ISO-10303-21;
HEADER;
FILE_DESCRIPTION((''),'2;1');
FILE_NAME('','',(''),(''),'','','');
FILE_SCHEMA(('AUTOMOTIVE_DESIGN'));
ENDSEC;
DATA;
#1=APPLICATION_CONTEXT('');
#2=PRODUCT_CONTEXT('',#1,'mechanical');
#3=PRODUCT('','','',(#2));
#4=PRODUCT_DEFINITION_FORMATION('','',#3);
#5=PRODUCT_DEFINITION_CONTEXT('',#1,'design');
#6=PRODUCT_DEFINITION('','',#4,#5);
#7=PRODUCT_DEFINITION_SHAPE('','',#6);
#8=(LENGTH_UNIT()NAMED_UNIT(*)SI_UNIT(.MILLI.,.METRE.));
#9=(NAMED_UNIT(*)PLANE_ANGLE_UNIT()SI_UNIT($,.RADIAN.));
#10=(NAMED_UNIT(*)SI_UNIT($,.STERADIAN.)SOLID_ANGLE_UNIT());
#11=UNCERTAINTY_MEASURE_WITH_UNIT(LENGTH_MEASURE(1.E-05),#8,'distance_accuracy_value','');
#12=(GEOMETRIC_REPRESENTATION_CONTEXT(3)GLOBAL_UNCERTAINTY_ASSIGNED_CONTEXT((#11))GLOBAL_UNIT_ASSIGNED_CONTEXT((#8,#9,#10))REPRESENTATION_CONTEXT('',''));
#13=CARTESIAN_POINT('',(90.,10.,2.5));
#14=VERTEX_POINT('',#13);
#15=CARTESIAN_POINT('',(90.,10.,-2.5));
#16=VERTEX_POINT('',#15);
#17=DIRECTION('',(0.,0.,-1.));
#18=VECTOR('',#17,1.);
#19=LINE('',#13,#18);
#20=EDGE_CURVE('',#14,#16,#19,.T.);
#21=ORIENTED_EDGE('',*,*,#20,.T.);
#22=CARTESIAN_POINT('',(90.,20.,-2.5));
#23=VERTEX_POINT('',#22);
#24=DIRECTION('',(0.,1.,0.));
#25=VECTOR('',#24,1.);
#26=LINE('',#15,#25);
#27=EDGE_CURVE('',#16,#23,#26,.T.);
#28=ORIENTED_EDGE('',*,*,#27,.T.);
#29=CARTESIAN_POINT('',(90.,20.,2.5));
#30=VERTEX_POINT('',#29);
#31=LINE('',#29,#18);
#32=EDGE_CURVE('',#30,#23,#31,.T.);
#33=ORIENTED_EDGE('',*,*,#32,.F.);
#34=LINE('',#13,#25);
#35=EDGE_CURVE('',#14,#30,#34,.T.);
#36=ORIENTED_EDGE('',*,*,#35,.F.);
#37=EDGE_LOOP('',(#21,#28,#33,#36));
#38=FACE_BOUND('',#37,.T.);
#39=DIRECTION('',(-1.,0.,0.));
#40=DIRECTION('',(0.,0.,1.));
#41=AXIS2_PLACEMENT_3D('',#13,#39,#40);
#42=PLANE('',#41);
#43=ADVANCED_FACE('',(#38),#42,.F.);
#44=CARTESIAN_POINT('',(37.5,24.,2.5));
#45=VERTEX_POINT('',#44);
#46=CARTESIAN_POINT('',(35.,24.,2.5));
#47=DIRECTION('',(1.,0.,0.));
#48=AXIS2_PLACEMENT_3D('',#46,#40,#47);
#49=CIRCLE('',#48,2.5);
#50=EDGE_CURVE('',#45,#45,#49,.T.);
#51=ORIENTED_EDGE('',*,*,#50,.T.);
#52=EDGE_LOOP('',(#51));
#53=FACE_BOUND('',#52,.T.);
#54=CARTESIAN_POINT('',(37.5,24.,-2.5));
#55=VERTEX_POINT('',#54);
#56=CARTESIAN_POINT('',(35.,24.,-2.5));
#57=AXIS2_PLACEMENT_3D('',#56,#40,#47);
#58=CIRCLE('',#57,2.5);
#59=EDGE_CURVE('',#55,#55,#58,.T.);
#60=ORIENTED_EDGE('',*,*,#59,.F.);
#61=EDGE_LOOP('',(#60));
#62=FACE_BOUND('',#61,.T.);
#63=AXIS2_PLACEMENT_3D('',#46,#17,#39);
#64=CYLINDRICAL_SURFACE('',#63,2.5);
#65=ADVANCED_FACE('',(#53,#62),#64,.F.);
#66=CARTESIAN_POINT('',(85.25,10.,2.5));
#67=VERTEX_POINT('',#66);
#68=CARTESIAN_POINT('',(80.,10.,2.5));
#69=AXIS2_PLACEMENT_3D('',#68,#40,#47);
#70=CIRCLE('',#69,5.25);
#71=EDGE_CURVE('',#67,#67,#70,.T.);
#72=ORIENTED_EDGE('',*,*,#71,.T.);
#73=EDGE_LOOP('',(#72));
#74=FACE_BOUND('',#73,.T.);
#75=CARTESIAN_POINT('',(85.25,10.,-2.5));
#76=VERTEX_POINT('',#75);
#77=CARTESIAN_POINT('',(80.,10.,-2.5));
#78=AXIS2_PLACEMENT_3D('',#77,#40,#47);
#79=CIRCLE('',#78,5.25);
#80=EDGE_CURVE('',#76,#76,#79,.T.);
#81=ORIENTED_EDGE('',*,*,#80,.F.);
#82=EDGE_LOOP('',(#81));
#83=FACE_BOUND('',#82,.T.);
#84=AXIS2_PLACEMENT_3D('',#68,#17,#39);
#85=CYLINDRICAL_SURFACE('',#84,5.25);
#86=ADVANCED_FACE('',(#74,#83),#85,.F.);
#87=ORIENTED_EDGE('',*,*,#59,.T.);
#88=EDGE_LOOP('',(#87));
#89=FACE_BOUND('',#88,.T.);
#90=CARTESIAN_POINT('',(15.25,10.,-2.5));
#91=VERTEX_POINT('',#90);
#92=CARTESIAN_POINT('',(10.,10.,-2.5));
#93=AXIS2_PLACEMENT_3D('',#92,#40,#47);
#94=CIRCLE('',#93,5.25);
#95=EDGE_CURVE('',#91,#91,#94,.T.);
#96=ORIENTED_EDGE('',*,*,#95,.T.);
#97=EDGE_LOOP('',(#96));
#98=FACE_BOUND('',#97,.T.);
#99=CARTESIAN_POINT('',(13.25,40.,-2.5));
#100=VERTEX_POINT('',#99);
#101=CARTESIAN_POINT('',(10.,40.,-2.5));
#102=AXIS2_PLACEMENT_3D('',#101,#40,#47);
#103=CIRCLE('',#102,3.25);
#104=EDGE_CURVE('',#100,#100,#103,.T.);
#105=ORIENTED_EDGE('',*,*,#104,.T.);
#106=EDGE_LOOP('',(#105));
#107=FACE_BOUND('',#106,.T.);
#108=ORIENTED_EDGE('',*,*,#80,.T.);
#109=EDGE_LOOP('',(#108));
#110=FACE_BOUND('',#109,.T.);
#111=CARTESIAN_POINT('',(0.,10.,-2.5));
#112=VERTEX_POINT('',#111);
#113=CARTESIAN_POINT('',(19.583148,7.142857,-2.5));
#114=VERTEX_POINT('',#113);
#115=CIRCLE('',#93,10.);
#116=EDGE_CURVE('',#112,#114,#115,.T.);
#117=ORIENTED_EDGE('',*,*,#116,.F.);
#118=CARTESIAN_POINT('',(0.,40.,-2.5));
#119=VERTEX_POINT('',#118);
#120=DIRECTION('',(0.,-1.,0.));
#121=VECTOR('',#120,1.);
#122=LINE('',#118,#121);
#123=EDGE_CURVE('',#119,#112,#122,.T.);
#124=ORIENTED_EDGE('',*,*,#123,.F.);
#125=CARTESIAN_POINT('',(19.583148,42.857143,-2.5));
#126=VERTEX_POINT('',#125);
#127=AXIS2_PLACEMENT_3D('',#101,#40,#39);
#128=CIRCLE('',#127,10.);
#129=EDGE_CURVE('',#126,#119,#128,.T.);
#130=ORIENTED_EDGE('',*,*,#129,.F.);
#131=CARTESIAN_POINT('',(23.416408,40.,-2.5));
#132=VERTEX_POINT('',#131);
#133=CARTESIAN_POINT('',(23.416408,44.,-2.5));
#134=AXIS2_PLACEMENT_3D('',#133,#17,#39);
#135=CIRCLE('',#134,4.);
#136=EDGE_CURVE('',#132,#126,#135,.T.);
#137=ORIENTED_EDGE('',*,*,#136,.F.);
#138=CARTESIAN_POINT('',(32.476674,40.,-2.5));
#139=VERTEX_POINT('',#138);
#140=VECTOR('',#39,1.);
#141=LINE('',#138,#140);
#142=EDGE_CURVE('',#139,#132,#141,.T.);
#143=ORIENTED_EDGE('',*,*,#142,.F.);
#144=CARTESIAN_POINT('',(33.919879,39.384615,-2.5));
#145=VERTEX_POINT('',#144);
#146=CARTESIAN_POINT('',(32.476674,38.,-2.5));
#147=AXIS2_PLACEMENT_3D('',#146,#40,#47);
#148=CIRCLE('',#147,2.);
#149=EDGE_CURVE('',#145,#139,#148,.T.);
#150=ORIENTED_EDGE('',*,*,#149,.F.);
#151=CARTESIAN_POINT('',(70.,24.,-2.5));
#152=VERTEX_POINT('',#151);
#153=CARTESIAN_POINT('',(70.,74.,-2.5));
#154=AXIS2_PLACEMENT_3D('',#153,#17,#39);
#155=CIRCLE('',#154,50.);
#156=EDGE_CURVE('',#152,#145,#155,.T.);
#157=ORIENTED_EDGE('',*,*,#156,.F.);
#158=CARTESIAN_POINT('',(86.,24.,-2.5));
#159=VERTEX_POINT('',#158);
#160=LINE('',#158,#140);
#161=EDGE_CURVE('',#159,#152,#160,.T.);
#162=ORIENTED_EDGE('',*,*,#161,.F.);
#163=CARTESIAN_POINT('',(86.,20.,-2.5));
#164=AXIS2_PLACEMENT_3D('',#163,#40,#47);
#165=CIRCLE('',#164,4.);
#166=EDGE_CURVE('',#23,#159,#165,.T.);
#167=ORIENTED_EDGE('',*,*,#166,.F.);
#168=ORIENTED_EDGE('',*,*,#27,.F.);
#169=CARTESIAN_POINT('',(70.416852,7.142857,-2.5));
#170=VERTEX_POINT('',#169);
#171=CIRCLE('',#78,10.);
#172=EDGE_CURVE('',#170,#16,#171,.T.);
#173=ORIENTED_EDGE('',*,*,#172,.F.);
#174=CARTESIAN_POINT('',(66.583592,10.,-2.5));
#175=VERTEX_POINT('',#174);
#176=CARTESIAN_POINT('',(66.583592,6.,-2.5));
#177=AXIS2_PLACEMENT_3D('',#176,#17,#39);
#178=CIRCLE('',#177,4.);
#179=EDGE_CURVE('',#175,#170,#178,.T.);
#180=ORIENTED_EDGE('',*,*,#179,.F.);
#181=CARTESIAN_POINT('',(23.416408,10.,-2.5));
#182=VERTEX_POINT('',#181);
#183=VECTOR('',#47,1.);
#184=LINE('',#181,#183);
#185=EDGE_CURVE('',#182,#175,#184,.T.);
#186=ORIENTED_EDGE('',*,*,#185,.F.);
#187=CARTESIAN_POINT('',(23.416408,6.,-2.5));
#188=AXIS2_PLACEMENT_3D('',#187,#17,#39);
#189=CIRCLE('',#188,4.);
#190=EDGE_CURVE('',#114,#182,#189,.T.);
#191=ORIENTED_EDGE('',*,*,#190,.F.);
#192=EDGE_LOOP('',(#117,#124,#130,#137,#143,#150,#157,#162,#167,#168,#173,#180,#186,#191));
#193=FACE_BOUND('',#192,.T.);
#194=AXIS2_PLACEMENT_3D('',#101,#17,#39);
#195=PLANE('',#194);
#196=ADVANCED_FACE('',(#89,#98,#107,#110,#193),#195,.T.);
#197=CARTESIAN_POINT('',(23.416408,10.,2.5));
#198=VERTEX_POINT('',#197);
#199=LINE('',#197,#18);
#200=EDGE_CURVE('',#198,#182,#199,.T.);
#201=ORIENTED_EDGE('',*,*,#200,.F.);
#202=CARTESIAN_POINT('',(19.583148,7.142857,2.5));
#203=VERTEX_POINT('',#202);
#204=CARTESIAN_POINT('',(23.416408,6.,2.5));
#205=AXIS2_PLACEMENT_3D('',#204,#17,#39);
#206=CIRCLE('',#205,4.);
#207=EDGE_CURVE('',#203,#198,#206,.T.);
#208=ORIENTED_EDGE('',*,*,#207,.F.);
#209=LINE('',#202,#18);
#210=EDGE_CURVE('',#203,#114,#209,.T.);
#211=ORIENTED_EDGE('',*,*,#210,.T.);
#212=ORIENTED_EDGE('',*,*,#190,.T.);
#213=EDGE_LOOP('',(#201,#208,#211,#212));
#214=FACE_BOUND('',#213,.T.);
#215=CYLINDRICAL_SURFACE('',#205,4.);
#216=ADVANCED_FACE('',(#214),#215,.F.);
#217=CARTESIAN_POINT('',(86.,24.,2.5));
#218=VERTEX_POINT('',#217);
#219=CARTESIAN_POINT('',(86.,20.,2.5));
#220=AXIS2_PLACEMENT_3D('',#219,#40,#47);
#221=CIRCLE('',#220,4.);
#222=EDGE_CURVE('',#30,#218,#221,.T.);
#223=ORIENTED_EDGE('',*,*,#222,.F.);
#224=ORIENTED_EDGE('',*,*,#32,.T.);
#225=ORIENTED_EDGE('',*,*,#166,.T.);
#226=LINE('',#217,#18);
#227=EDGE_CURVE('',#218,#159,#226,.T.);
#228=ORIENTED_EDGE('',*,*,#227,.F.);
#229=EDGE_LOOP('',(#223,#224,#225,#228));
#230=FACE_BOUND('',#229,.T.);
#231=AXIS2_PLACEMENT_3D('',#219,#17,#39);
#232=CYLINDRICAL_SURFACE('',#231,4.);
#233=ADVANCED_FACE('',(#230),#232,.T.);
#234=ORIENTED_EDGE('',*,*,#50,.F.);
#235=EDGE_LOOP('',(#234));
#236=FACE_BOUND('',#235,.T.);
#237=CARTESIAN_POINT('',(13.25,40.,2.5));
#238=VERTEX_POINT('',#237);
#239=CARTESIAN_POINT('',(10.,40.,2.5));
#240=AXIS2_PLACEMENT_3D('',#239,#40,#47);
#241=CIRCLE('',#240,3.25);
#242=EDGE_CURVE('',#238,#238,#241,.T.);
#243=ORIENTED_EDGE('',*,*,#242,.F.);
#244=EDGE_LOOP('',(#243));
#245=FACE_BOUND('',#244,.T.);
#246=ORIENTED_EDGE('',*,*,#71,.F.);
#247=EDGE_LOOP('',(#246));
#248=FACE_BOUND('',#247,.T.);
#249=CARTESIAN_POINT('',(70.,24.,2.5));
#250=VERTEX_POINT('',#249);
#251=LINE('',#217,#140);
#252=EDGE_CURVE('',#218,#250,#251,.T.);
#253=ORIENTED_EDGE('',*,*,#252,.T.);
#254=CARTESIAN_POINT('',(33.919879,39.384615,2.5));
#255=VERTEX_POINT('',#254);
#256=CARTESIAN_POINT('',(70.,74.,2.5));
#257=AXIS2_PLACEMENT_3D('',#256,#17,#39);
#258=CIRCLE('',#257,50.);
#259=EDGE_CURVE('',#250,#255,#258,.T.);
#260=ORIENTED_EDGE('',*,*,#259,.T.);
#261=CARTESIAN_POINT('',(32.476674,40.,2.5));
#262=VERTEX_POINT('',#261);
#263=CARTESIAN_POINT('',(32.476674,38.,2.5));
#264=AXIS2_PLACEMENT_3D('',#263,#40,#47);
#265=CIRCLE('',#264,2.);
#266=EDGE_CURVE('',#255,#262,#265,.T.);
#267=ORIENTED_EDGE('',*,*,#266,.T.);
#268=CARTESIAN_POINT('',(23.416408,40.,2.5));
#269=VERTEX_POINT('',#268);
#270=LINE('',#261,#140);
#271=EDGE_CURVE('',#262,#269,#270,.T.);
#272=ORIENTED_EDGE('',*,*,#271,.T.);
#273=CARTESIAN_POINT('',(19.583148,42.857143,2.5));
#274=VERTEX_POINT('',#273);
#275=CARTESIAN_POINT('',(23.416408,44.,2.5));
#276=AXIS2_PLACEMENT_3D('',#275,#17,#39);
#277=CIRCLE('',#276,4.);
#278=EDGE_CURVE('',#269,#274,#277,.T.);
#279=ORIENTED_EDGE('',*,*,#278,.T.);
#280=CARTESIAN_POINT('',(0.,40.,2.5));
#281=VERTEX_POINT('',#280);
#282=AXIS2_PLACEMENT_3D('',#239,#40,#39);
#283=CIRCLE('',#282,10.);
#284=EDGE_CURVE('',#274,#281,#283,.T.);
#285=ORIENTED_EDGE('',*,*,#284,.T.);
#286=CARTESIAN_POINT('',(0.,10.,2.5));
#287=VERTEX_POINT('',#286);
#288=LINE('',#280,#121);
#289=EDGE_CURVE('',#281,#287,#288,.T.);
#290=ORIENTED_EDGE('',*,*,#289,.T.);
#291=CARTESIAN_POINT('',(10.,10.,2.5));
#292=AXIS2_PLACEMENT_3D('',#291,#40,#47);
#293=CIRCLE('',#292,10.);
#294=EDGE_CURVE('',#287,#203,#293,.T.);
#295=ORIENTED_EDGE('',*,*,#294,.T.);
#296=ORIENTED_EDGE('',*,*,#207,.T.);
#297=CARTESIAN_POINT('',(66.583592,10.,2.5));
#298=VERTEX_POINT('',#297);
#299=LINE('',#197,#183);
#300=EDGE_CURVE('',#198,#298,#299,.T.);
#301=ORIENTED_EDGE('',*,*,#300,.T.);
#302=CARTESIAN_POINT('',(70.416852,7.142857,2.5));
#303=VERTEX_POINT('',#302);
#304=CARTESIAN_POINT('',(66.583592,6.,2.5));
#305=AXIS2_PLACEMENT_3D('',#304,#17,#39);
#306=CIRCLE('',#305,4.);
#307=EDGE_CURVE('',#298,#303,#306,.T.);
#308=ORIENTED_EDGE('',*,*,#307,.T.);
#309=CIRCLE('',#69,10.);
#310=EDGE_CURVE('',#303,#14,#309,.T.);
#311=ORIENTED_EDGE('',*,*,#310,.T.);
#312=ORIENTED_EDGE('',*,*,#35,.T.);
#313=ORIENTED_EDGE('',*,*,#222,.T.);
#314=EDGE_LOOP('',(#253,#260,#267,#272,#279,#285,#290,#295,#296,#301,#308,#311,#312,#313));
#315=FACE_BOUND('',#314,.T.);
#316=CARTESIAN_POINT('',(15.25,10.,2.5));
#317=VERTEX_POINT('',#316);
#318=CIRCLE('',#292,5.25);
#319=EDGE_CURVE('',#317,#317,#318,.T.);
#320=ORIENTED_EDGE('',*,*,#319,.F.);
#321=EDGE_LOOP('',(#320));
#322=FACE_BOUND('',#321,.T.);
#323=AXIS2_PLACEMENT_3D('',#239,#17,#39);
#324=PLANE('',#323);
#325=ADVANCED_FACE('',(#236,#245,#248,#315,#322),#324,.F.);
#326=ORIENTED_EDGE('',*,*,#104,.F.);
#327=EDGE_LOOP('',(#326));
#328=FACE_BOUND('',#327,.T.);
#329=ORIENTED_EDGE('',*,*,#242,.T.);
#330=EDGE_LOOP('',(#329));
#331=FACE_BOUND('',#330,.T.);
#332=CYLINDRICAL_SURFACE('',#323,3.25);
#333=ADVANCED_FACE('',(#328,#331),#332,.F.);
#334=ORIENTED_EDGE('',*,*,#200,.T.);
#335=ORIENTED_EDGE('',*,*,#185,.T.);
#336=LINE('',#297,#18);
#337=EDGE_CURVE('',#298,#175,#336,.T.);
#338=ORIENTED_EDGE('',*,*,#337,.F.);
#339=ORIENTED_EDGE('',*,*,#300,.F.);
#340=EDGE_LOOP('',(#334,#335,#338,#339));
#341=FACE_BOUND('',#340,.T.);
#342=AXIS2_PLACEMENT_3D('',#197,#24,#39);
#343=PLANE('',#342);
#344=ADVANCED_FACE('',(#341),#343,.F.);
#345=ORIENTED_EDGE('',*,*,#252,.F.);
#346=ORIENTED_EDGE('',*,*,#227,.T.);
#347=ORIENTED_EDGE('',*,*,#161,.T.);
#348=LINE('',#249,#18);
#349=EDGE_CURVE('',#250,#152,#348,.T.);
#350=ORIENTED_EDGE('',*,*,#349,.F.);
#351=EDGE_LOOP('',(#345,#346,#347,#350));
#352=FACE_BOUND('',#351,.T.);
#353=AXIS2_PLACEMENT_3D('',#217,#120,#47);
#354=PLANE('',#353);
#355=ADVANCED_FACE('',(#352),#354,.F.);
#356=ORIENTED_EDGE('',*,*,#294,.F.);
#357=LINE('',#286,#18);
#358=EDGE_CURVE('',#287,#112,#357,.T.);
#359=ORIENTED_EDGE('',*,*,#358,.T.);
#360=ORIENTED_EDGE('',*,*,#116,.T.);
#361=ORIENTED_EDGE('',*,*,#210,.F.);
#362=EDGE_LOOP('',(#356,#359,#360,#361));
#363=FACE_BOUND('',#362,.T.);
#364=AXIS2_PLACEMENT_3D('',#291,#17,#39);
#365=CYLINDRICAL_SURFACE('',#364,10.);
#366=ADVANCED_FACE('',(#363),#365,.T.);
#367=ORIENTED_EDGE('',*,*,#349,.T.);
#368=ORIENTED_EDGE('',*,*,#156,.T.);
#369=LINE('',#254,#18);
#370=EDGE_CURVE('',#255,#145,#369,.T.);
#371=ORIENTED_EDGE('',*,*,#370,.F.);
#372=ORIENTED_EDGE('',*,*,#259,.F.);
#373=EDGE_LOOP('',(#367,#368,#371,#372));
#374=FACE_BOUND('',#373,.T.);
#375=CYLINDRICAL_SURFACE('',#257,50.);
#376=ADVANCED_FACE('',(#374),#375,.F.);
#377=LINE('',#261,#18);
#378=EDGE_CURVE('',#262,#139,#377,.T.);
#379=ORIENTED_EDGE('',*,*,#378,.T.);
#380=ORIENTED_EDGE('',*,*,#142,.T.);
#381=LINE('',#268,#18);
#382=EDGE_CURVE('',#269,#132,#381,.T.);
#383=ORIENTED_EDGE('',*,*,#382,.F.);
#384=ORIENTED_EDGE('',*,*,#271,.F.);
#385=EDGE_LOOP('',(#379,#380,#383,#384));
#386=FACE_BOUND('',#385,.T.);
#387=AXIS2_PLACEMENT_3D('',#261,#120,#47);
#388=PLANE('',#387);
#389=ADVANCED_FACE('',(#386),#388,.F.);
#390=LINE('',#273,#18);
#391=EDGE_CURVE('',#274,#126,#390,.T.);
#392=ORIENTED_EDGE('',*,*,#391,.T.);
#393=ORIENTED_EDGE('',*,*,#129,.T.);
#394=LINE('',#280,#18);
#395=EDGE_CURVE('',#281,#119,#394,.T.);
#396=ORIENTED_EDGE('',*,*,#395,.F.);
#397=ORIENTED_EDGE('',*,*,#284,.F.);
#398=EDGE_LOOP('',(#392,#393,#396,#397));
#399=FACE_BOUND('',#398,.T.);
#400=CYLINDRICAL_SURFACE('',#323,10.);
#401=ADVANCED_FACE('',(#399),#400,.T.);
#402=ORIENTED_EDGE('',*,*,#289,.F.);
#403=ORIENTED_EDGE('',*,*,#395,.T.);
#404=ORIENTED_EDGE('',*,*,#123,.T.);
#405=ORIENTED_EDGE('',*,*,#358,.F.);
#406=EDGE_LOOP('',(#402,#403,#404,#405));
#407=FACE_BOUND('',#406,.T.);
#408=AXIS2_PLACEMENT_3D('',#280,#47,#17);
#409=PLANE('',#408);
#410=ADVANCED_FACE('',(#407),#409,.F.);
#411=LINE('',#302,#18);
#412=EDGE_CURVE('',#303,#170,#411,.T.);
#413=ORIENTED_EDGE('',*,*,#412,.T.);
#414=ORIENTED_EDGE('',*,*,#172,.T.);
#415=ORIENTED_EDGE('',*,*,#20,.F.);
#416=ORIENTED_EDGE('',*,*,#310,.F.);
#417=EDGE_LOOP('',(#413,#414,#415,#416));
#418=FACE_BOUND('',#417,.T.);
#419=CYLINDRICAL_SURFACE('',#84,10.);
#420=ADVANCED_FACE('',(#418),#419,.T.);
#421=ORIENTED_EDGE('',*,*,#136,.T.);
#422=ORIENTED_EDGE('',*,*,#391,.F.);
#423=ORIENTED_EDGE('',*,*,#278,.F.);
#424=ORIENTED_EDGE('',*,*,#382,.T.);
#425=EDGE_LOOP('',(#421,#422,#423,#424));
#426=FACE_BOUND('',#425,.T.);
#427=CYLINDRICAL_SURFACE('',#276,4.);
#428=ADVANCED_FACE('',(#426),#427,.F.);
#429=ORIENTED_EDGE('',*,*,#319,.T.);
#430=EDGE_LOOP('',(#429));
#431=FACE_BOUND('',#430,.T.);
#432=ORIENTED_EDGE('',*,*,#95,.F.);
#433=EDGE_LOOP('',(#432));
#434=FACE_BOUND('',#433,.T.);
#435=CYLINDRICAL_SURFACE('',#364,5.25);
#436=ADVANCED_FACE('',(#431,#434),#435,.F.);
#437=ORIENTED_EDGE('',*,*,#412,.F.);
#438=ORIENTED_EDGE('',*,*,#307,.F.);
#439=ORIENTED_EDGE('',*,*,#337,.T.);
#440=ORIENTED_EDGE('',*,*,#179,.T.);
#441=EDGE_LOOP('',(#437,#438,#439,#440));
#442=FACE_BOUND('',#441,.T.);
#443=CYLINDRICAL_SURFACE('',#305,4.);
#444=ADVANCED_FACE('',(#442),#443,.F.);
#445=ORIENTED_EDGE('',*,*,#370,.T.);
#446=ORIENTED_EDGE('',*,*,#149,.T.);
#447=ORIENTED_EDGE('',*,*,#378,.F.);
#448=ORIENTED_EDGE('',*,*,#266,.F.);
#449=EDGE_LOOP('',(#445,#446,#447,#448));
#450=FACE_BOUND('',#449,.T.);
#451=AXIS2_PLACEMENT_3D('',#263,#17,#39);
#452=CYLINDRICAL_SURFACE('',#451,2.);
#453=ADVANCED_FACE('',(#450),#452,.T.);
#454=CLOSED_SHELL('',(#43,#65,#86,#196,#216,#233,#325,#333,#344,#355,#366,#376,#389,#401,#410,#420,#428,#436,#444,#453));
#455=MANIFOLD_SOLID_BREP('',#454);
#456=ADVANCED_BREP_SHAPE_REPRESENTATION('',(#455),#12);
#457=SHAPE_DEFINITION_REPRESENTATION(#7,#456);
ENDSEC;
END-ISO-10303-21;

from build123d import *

# Parameters (mm, degrees)
SKETCH2_R           = 3.25
SKETCH2_R_2         = 5.25
SKETCH2_R_3         = 2.5
BOSS_EXTRUDE1_DEPTH = 2.5


with BuildPart() as part:
    # Sketch2 → Boss-Extrude1 (new, symmetric)
    with BuildSketch(Plane.XY):
        with BuildLine():
            Line((0, 40), (0, 10))
            ThreePointArc((0, 10), (8.556304179, 0.104761631), (19.583148475, 7.142857143))
            ThreePointArc((19.583148475, 7.142857143), (21.025950646, 9.207134903), (23.416407865, 10))
            Line((23.416407865, 10), (66.583592135, 10))
            ThreePointArc((66.583592135, 10), (68.974049354, 9.207134903), (70.416851525, 7.142857143))
            ThreePointArc((70.416851525, 7.142857143), (81.443695821, 0.104761631), (90, 10))
            Line((90, 10), (90, 20))
            ThreePointArc((90, 20), (88.828427125, 22.828427125), (86, 24))
            Line((86, 24), (70, 24))
            ThreePointArc((70, 24), (50.388386486, 28.00668945), (33.919878771, 39.384615385))
            ThreePointArc((33.919878771, 39.384615385), (33.261138462, 39.839732422), (32.476673921, 40))
            Line((32.476673921, 40), (23.416407865, 40))
            ThreePointArc((23.416407865, 40), (21.025950646, 40.792865097), (19.583148475, 42.857142857))
            ThreePointArc((19.583148475, 42.857142857), (8.556304179, 49.895238369), (0, 40))
        make_face()
        with Locations((10, 40)):
            Circle(SKETCH2_R, mode=Mode.SUBTRACT)
        with Locations((10, 10)):
            Circle(SKETCH2_R_2, mode=Mode.SUBTRACT)
        with Locations((80, 10)):
            Circle(SKETCH2_R_2, mode=Mode.SUBTRACT)
        with Locations((35, 24)):
            Circle(SKETCH2_R_3, mode=Mode.SUBTRACT)
    extrude(amount=BOSS_EXTRUDE1_DEPTH, both=True)


solid = part.part
